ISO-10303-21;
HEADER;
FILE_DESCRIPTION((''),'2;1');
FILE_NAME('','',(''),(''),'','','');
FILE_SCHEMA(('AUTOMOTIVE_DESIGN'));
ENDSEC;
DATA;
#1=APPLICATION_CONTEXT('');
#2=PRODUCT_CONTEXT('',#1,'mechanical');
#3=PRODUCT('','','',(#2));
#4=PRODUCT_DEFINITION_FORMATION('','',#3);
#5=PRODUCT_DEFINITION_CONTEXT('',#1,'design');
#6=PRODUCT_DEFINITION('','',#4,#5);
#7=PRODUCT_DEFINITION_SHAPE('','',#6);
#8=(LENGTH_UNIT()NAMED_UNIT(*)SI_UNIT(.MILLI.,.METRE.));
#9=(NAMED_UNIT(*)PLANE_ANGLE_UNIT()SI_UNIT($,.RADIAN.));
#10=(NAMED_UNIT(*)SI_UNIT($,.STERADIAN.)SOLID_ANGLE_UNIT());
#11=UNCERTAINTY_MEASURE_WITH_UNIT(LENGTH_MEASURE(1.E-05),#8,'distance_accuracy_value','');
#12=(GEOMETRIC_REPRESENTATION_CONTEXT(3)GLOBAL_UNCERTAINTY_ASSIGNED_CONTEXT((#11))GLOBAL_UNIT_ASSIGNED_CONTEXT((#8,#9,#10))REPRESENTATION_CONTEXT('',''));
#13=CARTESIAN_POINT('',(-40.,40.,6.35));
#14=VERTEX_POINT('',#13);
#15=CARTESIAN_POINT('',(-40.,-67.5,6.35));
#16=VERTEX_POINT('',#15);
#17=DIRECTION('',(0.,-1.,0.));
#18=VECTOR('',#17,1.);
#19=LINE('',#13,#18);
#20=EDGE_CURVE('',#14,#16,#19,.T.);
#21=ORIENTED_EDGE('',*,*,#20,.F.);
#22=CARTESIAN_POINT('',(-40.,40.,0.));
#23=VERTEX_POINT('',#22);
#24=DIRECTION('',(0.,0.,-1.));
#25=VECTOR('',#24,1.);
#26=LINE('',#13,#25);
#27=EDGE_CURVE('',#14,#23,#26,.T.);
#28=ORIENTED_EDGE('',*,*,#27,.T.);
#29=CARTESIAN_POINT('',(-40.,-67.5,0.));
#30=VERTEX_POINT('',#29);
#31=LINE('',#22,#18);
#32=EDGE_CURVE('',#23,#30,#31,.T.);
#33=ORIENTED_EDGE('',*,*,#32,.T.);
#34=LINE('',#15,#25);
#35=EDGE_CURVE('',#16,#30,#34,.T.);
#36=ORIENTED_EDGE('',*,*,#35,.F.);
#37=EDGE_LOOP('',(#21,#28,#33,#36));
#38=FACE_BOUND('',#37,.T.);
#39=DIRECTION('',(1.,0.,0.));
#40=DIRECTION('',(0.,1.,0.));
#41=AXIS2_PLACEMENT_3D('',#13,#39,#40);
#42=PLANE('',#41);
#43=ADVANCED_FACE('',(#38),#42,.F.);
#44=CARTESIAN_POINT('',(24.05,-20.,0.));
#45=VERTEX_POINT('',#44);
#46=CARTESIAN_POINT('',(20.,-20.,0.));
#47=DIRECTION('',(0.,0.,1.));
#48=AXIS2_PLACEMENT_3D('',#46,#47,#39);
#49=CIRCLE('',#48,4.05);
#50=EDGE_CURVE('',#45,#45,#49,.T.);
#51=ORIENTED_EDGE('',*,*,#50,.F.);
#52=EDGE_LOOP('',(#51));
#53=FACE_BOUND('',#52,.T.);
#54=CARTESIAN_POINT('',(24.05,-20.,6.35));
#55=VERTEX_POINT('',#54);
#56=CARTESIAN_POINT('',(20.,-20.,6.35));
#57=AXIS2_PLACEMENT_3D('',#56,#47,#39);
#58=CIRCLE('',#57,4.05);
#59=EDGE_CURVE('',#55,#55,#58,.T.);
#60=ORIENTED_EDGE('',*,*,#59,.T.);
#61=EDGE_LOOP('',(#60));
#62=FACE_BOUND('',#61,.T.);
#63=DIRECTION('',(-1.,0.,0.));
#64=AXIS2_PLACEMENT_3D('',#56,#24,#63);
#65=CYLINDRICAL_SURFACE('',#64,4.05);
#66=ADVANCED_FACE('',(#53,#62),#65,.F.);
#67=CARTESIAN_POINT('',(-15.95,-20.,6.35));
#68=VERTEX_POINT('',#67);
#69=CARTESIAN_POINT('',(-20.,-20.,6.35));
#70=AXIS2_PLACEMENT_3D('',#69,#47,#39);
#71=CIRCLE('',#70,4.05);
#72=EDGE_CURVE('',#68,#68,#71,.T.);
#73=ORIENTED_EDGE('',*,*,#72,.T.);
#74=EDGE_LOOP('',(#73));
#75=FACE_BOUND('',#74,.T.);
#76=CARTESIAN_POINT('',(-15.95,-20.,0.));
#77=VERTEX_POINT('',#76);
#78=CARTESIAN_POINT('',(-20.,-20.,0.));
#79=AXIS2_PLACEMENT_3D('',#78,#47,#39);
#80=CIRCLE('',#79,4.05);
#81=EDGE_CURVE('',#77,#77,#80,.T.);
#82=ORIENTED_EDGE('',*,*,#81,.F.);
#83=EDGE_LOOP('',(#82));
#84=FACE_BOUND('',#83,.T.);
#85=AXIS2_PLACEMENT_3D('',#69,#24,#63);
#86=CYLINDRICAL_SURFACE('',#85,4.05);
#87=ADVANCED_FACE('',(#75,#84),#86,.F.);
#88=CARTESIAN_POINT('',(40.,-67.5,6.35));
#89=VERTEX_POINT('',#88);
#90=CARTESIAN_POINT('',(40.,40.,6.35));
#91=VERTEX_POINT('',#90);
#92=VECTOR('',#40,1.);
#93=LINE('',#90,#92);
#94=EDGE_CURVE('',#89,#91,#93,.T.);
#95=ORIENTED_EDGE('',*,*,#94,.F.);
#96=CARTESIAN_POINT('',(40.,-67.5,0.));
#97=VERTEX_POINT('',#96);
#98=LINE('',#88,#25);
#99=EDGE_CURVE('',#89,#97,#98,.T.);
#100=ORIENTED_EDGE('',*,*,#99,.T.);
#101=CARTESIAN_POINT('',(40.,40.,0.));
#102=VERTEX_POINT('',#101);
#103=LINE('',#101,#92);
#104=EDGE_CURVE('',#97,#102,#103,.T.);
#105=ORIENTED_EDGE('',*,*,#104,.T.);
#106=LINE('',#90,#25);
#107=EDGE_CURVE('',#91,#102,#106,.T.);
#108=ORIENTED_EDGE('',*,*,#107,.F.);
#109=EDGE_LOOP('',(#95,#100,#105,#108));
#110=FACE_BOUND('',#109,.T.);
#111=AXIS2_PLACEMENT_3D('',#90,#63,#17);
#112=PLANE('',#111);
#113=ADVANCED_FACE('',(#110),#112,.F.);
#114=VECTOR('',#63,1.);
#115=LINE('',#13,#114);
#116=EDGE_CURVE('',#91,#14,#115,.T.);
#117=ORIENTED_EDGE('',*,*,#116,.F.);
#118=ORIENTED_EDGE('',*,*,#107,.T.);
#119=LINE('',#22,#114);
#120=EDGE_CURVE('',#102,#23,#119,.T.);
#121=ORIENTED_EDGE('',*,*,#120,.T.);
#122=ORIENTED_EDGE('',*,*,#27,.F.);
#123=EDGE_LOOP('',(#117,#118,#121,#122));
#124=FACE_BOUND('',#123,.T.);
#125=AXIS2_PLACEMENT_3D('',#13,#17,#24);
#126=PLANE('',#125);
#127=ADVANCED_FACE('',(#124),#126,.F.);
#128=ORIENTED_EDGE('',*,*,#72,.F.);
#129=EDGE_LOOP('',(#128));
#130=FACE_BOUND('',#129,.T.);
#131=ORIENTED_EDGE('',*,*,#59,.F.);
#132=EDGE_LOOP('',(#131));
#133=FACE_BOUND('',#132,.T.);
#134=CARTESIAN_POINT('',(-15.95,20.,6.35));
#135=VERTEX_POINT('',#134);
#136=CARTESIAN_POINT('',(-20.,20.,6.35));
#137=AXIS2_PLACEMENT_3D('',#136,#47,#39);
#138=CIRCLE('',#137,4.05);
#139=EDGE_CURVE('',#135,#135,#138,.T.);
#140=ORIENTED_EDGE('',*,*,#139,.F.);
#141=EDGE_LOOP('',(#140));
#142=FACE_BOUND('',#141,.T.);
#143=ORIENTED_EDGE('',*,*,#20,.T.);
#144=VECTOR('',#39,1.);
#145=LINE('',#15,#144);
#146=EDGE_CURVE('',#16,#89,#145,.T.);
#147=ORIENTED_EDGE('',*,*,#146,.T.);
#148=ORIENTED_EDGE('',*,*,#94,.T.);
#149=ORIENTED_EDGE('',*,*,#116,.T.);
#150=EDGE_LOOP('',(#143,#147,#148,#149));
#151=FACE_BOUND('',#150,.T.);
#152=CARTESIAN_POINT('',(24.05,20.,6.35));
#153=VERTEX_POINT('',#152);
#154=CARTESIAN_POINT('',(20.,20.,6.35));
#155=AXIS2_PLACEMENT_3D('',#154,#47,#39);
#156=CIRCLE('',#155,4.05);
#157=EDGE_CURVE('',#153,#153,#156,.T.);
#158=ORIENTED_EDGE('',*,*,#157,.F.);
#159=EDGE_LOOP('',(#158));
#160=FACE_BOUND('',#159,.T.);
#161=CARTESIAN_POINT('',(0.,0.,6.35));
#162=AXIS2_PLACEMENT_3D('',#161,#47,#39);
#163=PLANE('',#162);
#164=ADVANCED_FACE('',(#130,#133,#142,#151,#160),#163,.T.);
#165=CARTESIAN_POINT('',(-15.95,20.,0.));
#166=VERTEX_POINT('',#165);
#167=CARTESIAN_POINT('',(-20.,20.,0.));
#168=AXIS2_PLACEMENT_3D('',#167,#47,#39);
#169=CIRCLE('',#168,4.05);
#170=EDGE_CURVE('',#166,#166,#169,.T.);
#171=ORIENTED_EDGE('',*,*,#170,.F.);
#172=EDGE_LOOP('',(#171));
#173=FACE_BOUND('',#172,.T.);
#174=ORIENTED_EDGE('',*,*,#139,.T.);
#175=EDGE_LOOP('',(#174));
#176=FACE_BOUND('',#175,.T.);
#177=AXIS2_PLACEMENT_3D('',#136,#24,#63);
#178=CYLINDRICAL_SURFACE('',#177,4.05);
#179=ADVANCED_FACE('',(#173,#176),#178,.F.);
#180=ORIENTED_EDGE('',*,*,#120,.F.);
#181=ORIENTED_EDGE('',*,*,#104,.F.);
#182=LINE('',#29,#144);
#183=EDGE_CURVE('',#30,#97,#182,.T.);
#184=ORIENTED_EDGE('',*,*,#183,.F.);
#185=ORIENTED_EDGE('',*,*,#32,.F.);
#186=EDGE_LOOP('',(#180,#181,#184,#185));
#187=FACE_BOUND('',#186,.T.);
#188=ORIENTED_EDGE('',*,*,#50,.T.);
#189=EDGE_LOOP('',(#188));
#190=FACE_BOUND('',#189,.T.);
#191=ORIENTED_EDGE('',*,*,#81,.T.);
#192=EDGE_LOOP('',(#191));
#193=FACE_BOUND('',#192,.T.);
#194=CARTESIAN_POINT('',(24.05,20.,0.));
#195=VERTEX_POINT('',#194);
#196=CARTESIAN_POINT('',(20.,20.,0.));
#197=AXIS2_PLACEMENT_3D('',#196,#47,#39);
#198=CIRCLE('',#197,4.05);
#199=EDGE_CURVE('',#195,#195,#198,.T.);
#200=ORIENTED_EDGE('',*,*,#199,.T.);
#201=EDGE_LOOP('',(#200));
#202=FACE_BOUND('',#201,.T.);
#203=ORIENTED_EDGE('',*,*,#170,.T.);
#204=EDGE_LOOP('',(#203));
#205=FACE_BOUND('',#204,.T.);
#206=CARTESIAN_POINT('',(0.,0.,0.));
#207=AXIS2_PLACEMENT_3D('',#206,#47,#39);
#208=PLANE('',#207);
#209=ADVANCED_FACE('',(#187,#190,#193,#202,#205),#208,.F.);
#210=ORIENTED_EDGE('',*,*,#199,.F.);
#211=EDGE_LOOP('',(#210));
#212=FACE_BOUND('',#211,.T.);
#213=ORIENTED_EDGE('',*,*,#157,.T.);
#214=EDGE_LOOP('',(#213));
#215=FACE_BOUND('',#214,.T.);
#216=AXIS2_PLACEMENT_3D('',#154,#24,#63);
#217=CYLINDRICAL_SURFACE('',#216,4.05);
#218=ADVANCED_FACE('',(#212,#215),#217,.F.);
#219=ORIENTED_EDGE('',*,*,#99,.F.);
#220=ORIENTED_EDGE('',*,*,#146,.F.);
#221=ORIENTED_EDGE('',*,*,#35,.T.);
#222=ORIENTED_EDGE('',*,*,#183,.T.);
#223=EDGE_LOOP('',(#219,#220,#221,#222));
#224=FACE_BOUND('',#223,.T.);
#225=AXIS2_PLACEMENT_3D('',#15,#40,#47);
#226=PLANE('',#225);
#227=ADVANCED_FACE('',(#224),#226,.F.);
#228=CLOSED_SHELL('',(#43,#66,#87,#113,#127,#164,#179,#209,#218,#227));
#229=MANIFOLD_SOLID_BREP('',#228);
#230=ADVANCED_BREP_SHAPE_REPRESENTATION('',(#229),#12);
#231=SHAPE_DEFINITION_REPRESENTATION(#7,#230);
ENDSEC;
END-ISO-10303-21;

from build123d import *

# Parameters (mm, degrees)
SKETCH1_W           = 80
SKETCH1_H           = 107.5
SKETCH1_R           = 4.05
BOSS_EXTRUDE1_DEPTH = 6.35


with BuildPart() as part:
    # Sketch1 → Boss-Extrude1 (new body)
    with BuildSketch(Plane.XY):
        with Locations((0, -13.75)):
            Rectangle(SKETCH1_W, SKETCH1_H)
        with Locations((-20, 20)):
            Circle(SKETCH1_R, mode=Mode.SUBTRACT)
        with Locations((20, 20)):
            Circle(SKETCH1_R, mode=Mode.SUBTRACT)
        with Locations((20, -20)):
            Circle(SKETCH1_R, mode=Mode.SUBTRACT)
        with Locations((-20, -20)):
            Circle(SKETCH1_R, mode=Mode.SUBTRACT)
    extrude(amount=BOSS_EXTRUDE1_DEPTH)


solid = part.part
